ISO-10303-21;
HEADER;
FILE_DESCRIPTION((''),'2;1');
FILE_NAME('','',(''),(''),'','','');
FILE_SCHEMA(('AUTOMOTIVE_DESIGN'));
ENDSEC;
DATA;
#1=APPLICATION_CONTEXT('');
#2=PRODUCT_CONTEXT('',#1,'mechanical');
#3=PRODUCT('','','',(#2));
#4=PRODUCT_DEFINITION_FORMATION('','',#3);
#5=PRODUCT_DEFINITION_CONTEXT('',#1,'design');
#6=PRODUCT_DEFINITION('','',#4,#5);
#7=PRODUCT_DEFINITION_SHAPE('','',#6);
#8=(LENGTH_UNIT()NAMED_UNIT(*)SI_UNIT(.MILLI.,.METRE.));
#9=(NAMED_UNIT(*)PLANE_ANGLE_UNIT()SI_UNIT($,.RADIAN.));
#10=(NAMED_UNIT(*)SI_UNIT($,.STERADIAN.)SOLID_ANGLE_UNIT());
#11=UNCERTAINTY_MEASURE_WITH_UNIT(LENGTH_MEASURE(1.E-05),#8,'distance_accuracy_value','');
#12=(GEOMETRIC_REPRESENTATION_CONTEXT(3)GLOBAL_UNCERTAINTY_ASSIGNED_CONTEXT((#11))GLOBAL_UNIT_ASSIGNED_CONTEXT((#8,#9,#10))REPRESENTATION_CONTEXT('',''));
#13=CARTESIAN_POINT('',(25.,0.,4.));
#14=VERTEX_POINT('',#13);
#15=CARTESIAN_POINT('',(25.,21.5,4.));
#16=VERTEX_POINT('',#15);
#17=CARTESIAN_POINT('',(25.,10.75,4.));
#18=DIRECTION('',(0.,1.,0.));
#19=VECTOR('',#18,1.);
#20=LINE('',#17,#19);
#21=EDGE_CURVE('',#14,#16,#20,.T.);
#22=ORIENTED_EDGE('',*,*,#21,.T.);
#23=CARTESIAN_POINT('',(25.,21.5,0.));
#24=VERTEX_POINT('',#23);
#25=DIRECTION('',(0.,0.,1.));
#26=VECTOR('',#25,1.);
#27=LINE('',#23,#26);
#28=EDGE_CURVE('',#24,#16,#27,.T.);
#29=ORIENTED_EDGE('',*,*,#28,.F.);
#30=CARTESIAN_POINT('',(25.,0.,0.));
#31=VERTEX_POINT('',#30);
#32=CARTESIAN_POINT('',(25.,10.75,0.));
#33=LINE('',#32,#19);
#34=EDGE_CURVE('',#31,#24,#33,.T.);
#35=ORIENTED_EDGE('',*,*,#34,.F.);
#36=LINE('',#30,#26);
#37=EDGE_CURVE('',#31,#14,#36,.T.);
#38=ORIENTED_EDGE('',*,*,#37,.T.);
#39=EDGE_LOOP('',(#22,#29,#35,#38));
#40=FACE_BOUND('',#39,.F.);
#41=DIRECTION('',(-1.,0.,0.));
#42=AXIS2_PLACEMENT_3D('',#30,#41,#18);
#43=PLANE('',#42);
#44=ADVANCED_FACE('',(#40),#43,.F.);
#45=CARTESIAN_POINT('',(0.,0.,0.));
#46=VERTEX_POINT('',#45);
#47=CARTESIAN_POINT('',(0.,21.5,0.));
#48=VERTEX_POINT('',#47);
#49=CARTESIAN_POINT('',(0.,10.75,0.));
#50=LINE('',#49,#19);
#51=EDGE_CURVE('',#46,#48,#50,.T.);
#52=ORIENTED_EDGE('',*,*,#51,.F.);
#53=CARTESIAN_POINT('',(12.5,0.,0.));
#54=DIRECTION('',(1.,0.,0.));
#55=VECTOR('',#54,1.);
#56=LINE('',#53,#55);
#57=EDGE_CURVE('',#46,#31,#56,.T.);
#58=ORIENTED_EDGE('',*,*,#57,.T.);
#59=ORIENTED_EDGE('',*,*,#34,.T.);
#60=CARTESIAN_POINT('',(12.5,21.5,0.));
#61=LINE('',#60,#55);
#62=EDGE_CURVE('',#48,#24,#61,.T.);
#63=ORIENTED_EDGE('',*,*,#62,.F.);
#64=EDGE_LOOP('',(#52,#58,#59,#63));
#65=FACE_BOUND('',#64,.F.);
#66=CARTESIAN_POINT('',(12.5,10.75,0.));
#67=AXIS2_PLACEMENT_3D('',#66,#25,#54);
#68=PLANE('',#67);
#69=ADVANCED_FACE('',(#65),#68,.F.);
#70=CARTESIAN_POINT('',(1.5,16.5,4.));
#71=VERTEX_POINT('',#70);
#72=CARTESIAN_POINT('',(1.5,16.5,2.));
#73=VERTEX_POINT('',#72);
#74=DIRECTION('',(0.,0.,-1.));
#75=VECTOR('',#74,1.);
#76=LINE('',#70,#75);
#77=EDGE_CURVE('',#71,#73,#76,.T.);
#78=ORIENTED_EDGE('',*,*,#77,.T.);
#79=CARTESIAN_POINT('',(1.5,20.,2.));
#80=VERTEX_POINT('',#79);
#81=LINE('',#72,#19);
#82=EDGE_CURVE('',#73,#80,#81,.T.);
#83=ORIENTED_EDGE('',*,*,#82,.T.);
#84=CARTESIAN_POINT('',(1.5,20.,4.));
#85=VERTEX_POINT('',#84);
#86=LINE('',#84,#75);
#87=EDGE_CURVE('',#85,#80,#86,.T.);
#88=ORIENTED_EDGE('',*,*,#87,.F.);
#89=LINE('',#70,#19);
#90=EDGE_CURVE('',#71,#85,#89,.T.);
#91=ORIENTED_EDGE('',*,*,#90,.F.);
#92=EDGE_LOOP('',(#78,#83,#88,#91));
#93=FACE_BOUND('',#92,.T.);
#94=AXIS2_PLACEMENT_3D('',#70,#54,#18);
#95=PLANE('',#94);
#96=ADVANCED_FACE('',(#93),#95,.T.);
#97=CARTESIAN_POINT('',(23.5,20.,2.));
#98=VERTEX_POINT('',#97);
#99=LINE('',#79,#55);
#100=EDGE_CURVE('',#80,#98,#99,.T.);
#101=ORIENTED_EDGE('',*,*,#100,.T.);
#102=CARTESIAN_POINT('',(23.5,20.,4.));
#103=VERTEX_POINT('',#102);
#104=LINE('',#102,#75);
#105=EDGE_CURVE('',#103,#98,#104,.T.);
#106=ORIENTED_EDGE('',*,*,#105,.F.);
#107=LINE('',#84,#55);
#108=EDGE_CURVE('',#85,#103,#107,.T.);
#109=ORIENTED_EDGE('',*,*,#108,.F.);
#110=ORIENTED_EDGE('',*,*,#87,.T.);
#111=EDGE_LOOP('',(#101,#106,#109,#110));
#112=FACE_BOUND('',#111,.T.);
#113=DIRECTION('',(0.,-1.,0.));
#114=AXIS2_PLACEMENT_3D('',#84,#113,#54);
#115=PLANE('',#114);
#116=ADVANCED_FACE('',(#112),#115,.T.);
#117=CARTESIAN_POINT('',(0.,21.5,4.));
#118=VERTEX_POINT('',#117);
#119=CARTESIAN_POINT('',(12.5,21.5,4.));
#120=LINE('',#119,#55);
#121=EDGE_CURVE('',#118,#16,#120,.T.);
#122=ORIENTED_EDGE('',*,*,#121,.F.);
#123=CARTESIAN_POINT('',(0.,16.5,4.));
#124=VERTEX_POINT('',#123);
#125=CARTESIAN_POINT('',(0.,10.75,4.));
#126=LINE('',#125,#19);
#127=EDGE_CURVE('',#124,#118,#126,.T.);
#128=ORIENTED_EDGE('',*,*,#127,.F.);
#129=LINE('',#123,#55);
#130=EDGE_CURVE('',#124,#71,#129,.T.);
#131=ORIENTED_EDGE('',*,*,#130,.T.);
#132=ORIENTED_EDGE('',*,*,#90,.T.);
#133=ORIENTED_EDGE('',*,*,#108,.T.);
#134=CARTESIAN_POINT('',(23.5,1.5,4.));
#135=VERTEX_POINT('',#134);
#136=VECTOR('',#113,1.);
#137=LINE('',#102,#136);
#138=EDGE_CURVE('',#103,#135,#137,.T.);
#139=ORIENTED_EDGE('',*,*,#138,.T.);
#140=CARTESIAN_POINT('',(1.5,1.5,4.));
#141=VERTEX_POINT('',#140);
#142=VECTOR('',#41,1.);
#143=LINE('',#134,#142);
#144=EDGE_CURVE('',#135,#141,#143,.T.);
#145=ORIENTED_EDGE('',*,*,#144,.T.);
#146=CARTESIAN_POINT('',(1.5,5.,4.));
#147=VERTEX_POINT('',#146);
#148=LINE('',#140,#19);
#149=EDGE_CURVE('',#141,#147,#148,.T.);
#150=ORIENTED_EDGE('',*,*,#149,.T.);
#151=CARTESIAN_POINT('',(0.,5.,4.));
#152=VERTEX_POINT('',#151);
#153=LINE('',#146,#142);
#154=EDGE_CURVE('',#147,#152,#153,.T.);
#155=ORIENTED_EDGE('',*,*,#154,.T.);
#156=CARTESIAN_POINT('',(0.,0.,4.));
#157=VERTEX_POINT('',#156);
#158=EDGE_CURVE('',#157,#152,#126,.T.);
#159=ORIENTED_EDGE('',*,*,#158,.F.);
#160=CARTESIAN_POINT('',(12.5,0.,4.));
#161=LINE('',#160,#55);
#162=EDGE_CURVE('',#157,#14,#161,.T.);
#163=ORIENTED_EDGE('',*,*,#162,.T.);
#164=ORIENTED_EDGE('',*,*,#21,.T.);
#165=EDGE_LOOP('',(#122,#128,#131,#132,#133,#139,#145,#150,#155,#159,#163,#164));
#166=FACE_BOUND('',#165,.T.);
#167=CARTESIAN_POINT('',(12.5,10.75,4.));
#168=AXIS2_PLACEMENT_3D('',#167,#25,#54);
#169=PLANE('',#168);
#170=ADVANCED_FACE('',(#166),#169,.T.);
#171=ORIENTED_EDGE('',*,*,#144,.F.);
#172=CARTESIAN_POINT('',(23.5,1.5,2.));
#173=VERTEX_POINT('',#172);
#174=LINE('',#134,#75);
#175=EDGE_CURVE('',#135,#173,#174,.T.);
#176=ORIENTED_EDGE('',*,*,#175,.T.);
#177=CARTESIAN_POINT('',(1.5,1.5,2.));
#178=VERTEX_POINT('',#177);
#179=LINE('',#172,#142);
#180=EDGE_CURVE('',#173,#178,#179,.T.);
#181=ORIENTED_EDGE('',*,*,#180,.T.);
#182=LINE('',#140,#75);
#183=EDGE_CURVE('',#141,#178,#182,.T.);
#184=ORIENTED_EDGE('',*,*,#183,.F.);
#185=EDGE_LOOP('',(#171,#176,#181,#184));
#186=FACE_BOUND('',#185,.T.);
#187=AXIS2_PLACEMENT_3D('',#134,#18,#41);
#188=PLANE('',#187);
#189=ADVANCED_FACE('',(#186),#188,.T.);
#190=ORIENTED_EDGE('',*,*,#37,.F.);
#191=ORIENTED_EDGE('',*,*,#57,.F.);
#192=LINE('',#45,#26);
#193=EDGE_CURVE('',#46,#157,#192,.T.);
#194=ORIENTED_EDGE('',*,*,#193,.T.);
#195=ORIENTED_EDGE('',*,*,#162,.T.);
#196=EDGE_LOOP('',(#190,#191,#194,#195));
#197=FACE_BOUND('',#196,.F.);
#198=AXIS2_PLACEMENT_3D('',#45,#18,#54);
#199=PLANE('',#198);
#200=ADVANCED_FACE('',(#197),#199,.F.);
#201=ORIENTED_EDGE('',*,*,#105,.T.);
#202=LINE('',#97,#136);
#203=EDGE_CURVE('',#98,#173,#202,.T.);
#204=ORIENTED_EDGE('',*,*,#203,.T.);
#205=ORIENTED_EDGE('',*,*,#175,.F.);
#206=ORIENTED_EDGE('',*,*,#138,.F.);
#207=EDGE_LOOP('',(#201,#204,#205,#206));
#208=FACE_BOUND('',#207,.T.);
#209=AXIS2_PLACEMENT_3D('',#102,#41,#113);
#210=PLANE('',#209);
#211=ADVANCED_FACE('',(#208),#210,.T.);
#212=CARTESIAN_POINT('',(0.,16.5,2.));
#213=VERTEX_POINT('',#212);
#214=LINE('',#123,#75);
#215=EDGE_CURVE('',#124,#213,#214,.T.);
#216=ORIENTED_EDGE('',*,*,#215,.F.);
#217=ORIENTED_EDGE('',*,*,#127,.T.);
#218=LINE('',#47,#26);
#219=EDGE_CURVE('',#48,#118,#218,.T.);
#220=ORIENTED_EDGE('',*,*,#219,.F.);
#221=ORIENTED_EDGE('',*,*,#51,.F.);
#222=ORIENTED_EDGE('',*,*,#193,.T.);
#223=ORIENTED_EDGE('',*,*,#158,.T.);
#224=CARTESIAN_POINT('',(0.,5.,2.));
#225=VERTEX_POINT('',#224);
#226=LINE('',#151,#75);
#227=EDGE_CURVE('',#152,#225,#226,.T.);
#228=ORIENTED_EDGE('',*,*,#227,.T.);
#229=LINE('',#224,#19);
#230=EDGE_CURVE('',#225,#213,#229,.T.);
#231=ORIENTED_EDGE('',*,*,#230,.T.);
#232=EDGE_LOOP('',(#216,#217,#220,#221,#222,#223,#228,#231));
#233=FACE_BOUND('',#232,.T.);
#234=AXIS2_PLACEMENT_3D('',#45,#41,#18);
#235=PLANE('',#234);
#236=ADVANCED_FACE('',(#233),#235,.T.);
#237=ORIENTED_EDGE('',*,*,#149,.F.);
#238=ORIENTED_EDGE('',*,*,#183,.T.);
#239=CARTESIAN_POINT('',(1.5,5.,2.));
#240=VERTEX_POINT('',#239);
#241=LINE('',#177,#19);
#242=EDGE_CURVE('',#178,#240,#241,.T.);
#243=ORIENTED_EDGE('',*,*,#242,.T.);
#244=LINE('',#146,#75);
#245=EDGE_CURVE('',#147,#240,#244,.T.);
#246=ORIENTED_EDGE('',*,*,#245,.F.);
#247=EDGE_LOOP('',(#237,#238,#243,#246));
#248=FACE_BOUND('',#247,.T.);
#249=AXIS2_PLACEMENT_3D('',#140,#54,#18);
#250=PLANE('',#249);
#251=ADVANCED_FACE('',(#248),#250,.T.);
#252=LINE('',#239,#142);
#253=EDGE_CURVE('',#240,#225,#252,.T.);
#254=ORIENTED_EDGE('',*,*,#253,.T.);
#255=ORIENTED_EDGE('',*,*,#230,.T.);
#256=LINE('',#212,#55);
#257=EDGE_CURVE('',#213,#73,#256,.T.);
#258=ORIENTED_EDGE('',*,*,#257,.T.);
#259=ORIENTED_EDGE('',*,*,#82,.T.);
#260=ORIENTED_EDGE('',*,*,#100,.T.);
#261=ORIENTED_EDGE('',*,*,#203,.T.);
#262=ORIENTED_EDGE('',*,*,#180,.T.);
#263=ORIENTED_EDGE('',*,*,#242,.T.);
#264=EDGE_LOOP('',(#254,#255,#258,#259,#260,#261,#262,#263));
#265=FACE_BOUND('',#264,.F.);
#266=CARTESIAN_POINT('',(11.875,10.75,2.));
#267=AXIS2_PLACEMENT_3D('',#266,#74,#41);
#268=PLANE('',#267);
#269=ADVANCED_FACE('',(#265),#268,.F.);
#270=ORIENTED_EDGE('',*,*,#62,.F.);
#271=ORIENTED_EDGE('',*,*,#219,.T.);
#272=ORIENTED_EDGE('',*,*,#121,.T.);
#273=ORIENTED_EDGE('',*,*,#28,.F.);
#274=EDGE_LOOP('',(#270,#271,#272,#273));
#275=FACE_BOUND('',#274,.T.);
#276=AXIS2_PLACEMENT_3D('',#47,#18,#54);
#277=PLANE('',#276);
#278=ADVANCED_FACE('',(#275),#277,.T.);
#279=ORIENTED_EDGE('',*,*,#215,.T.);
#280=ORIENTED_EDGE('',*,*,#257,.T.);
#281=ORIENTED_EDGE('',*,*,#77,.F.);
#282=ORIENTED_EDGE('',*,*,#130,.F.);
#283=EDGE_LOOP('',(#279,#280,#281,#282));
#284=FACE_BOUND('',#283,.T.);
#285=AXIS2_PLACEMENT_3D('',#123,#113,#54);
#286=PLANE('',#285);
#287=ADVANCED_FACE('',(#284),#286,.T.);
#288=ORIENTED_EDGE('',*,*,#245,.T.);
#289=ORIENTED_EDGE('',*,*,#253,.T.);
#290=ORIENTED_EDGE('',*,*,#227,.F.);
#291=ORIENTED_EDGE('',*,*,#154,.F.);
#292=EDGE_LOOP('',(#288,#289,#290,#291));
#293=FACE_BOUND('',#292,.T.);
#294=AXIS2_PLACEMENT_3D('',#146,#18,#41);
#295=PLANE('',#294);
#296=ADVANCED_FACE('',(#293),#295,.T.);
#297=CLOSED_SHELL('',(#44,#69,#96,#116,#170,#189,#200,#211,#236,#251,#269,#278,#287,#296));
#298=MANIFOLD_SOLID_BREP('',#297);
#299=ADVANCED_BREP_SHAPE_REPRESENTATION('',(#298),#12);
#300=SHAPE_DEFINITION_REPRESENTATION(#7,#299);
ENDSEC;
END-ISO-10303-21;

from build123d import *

# Parameters (mm, degrees)
SKETCH_W     = 25
SKETCH_H     = 21.5
PAD_DEPTH    = 4
POCKET_DEPTH = 2


with BuildPart() as part:
    # Sketch → Pad (new body)
    with BuildSketch(Plane.XY):
        with Locations((12.5, 10.75)):
            Rectangle(SKETCH_W, SKETCH_H)
    extrude(amount=PAD_DEPTH)

    # Sketch001 (on Face6 of Pad) → Pocket (cut)
    with BuildSketch(Plane.XY.offset(4)):
        Polygon((1.5, 20), (23.5, 20), (23.5, 1.5), (1.5, 1.5), (1.5, 5), (0, 5), (0, 16.5), (1.5, 16.5), align=None)
    extrude(amount=-POCKET_DEPTH, mode=Mode.SUBTRACT)


solid = part.part
